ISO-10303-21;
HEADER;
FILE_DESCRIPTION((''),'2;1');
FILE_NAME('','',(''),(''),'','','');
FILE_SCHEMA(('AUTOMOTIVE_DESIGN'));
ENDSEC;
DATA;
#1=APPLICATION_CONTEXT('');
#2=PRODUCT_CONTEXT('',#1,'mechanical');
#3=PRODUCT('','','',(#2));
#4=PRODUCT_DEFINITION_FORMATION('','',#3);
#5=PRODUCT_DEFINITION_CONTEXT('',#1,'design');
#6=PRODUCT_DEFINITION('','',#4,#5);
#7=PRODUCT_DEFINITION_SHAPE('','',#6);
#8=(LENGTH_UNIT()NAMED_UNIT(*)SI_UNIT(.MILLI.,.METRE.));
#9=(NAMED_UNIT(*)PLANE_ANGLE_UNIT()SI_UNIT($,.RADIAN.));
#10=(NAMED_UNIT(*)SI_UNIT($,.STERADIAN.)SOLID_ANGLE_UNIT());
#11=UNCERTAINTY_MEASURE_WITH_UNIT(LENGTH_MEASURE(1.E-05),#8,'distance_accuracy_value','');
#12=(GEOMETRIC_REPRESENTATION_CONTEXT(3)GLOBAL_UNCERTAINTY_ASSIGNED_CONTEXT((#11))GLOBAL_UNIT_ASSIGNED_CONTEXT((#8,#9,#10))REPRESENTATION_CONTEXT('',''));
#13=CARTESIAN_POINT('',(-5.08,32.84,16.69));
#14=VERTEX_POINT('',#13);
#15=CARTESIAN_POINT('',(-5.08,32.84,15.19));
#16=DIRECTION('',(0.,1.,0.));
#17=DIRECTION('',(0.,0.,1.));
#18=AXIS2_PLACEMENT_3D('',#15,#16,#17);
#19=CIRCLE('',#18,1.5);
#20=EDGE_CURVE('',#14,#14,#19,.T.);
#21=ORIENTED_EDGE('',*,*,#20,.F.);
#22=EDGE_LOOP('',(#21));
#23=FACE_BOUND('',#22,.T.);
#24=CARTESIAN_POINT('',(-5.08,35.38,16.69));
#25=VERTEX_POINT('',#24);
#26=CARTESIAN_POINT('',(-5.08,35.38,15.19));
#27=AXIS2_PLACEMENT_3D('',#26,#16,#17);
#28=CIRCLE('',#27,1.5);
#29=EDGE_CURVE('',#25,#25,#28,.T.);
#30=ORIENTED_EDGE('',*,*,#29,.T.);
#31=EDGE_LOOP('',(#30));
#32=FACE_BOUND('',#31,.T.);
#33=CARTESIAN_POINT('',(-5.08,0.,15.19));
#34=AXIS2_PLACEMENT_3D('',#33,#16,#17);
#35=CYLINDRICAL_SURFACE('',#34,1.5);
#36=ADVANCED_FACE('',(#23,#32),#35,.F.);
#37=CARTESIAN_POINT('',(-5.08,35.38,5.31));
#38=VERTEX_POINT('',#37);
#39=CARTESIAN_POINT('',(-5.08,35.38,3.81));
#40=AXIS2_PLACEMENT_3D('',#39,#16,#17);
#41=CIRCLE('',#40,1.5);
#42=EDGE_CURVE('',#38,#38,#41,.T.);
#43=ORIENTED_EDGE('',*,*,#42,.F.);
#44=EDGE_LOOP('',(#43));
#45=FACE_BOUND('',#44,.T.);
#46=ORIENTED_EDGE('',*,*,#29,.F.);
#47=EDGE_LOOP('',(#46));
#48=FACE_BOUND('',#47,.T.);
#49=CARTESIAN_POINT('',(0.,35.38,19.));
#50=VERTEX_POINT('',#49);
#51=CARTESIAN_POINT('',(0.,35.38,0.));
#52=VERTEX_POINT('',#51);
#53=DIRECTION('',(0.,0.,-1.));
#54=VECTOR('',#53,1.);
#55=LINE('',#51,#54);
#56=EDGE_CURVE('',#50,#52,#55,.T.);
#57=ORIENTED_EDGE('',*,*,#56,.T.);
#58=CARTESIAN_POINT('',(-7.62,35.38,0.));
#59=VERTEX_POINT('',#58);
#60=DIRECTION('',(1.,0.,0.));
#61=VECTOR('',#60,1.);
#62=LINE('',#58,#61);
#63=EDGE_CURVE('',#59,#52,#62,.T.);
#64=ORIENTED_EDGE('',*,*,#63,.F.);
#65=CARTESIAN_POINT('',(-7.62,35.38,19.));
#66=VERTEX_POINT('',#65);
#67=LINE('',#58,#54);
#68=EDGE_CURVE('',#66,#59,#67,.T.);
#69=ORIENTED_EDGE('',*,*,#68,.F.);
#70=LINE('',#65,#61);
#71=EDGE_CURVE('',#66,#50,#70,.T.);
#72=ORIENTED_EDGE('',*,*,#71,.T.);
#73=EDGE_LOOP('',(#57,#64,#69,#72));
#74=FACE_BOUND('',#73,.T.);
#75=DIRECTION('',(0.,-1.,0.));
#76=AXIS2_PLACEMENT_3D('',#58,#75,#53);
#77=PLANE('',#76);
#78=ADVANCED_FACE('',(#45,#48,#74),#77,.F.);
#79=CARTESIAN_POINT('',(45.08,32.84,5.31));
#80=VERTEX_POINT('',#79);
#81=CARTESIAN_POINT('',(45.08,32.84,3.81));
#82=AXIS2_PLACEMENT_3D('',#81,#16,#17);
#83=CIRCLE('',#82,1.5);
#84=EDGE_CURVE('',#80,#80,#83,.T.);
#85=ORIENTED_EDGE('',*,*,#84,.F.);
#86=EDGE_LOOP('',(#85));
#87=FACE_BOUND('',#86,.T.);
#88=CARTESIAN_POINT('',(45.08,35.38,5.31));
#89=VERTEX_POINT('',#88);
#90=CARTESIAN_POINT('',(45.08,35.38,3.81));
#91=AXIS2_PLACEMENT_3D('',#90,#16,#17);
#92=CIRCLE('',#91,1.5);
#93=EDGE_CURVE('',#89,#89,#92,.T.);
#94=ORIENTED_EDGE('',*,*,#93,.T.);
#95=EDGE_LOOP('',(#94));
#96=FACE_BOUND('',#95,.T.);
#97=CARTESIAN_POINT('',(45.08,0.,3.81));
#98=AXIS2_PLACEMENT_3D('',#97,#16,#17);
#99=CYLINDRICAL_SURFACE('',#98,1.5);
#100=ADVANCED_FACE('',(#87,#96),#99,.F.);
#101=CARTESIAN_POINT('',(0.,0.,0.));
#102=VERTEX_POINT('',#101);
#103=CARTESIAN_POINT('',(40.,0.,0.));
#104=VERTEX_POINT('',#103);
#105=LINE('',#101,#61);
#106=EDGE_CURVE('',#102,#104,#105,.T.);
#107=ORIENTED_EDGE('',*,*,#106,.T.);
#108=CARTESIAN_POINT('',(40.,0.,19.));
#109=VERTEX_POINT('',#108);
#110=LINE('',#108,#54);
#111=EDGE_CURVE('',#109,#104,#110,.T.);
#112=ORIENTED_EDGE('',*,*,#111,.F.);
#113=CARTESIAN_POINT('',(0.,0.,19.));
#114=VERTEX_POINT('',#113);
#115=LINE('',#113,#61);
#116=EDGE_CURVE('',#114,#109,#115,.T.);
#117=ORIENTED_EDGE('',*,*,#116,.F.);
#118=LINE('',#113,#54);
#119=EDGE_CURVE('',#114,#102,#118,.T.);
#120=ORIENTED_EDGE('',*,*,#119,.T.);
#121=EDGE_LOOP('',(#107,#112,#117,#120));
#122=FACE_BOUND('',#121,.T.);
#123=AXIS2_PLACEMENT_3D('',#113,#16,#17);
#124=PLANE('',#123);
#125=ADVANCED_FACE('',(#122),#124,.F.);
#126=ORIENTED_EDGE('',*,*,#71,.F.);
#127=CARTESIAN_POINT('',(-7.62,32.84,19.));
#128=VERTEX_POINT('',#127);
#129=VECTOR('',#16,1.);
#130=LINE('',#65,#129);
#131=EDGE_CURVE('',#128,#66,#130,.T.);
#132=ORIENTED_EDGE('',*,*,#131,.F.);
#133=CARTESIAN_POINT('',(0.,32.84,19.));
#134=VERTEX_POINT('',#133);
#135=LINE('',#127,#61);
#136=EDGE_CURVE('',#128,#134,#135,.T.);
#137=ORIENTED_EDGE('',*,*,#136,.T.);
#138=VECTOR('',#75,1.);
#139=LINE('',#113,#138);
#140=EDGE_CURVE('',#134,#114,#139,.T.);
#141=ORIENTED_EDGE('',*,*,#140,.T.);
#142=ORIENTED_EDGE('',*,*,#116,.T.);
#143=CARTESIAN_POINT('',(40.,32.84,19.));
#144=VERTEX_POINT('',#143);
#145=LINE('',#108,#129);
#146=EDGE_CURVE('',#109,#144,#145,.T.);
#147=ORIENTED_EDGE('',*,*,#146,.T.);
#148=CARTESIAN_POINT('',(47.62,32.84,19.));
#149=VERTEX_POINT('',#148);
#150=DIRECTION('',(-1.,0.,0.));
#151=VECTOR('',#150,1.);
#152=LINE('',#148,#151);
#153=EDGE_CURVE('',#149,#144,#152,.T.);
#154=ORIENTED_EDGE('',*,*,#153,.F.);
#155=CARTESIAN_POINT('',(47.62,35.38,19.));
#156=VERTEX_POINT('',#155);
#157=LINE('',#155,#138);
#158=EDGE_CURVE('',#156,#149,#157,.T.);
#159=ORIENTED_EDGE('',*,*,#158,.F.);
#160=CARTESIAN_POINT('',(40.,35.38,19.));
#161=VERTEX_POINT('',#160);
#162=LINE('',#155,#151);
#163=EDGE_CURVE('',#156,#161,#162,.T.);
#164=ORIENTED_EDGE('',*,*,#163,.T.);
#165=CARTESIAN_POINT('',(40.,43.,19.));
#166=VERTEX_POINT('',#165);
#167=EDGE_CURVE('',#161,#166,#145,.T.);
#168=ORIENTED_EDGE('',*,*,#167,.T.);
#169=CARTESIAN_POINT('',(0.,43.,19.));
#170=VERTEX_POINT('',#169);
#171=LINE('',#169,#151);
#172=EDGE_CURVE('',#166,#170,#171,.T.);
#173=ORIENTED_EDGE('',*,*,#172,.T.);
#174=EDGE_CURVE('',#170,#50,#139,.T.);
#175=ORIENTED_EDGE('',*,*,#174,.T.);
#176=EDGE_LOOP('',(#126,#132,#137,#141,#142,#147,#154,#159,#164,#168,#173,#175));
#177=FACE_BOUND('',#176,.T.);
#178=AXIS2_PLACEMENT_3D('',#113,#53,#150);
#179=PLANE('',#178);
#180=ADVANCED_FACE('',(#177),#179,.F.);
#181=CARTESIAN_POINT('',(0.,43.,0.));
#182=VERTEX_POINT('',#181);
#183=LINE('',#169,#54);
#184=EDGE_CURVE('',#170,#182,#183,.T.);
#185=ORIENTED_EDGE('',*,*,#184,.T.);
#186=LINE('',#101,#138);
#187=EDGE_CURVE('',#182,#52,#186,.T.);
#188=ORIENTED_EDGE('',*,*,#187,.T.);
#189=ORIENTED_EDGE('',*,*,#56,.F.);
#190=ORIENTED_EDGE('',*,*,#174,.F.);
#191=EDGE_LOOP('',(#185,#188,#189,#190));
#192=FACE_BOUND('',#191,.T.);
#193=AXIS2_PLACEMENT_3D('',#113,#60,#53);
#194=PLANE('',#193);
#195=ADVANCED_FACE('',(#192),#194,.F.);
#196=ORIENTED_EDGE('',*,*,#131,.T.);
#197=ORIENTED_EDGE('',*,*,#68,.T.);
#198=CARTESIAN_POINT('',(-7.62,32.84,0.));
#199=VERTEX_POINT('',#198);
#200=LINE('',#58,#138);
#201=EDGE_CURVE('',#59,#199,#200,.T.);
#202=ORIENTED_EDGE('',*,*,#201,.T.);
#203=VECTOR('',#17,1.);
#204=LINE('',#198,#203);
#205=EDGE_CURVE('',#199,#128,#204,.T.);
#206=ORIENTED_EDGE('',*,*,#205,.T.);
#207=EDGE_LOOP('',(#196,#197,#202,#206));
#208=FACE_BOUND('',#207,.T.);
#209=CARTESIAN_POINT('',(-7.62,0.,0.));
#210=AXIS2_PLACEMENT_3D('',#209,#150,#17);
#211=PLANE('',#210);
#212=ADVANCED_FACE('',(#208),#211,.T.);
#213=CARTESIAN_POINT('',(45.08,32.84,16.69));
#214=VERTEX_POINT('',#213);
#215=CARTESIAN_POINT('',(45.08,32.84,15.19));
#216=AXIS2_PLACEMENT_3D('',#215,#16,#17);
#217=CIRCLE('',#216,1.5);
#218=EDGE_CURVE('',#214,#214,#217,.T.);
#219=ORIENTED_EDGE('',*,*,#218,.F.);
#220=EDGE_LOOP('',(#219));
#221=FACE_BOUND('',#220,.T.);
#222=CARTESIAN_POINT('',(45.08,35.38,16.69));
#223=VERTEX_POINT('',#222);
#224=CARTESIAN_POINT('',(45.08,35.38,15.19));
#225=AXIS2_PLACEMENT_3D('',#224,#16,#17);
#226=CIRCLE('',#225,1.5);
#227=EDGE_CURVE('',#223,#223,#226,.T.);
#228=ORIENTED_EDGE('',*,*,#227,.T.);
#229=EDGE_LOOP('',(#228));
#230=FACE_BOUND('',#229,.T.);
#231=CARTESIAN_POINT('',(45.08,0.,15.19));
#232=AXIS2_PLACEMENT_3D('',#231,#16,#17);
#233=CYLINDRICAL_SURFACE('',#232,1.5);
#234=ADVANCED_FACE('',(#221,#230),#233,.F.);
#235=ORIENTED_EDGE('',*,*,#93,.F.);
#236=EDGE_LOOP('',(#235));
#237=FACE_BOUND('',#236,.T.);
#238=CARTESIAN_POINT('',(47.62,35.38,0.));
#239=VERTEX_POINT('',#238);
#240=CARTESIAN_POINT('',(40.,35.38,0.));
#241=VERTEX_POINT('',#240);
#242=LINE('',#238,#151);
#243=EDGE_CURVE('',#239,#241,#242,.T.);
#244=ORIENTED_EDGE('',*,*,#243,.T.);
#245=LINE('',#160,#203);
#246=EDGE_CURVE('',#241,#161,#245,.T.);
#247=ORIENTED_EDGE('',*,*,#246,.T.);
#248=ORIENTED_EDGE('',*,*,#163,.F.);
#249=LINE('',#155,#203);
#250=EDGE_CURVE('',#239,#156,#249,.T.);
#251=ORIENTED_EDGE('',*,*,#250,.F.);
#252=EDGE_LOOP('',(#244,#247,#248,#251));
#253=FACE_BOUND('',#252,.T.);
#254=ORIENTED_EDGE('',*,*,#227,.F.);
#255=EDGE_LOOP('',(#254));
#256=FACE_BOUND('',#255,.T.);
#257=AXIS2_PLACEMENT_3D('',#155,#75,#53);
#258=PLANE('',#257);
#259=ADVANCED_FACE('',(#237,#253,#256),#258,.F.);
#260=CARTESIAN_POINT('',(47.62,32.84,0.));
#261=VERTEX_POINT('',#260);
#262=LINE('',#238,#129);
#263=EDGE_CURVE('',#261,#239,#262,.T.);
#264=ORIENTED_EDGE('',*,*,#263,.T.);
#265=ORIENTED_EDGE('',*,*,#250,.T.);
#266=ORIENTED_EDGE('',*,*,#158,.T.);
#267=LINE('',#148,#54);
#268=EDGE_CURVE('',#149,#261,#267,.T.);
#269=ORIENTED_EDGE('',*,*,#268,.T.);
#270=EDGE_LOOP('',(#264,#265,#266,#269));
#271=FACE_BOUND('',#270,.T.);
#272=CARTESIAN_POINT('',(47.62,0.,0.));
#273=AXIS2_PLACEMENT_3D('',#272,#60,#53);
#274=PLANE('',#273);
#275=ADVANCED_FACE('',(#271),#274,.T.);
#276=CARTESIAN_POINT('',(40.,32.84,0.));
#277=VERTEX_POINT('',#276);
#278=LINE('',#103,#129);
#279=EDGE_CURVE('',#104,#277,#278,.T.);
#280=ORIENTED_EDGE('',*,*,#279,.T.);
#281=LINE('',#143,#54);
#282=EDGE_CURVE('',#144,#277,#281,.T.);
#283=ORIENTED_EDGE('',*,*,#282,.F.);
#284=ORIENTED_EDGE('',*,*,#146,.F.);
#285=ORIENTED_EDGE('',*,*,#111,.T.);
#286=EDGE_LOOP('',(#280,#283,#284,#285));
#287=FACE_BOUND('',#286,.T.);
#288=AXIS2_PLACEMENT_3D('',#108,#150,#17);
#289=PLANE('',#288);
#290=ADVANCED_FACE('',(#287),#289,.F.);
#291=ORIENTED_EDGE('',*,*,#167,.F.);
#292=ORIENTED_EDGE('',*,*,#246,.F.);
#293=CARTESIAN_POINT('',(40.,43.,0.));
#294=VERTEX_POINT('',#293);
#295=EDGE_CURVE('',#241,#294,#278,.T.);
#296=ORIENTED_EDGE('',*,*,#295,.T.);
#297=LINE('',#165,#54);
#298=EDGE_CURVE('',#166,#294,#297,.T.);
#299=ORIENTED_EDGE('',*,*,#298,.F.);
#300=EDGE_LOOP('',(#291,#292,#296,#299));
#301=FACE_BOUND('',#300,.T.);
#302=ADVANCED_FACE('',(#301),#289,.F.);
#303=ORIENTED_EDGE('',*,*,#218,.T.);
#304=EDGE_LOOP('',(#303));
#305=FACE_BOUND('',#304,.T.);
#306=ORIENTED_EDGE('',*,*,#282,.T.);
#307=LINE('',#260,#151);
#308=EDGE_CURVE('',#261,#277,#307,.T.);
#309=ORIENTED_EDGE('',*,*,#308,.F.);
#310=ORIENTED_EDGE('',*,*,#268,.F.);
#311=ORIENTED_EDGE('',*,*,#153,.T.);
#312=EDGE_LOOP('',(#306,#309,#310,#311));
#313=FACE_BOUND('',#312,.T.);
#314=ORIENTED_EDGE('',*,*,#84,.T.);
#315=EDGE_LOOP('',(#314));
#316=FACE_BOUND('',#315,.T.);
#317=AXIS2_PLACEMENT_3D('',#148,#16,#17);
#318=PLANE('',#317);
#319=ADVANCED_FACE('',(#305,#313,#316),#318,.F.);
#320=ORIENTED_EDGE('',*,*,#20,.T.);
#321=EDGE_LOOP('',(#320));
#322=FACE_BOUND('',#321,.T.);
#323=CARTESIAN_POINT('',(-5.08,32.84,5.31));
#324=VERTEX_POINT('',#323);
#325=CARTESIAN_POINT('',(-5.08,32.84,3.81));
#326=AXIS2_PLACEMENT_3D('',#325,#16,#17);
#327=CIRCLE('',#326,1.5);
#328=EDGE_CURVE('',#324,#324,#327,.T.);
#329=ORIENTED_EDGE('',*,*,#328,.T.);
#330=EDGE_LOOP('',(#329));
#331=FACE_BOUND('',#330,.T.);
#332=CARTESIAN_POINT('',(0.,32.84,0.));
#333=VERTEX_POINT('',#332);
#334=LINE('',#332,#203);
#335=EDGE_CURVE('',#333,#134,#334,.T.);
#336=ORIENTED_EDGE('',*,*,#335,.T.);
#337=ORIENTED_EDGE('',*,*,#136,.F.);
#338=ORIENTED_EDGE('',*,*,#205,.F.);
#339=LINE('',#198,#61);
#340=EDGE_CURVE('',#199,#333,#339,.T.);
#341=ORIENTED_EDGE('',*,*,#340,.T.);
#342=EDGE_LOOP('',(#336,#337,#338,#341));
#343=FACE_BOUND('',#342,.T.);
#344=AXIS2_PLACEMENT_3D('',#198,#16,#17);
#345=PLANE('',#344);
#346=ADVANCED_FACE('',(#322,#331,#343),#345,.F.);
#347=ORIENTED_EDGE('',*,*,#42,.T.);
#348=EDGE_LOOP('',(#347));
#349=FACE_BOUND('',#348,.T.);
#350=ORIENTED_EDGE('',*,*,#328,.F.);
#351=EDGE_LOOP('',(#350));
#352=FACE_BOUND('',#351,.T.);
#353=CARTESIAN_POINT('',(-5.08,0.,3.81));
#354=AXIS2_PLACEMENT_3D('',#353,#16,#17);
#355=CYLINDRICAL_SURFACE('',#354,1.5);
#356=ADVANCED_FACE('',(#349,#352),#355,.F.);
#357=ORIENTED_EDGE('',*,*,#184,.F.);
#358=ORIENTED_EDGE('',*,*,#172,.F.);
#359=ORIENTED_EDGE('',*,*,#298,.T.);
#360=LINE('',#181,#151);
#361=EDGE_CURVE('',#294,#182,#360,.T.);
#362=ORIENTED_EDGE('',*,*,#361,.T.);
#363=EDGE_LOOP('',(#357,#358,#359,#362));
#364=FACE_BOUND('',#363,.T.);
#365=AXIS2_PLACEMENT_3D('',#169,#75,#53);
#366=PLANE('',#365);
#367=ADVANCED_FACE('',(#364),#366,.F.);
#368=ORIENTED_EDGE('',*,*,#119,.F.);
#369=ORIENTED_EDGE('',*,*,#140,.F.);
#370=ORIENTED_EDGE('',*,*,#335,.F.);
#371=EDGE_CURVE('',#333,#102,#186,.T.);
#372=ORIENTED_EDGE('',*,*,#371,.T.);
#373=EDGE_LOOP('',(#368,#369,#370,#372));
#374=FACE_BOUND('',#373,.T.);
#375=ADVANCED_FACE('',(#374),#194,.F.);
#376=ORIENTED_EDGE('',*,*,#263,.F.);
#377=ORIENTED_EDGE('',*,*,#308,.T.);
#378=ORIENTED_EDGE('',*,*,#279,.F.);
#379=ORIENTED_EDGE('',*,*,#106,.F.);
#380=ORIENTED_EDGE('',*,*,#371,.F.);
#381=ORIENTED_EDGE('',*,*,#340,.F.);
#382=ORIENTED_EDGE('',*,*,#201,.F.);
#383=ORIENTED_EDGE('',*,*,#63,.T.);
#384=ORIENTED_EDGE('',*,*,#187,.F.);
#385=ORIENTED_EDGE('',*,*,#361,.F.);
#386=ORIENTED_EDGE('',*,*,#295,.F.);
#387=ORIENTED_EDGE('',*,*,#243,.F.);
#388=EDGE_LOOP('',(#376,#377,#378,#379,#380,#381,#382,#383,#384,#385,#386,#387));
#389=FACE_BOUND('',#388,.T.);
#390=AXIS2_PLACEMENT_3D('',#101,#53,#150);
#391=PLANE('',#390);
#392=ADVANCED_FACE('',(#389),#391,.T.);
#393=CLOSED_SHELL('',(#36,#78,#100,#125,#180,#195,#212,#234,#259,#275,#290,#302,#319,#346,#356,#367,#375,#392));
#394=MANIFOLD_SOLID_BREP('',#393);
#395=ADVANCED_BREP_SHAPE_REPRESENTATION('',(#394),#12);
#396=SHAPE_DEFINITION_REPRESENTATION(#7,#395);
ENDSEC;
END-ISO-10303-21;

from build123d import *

# Parameters (mm, degrees)
SKETCH1_W           = 40
SKETCH1_H           = 43
BOSS_EXTRUDE1_DEPTH = 19
SKETCH2_W           = 19
SKETCH2_H           = 2.54
BOSS_EXTRUDE2_DEPTH = 7.62
SKETCH3_R           = 1.5
CUT_EXTRUDE1_DEPTH  = 63.292927367
SKETCH4_W           = 19
SKETCH4_H           = 2.54
BOSS_EXTRUDE3_DEPTH = 7.62
SKETCH5_R           = 1.5
CUT_EXTRUDE2_DEPTH  = 63.292927367


with BuildPart() as part:
    # Sketch1 → Boss-Extrude1 (new body)
    with BuildSketch(Plane.XY):
        with Locations((20, 21.5)):
            Rectangle(SKETCH1_W, SKETCH1_H)
    extrude(amount=BOSS_EXTRUDE1_DEPTH)

    # Sketch2 → Boss-Extrude2 (add)
    with BuildSketch(Plane(origin=(40, 0, 0), x_dir=(0, 0, -1), z_dir=(1, 0, 0))):
        with Locations((-9.5, 34.11)):
            Rectangle(SKETCH2_W, SKETCH2_H)
    extrude(amount=BOSS_EXTRUDE2_DEPTH)

    # Sketch3 → Cut-Extrude1 (cut, through all)
    with BuildSketch(Plane(origin=(0, 35.38, 0), x_dir=(1, 0, 0), z_dir=(0, 1, 0))):
        with Locations(Location((45.08, -3.81, 0), (0, 0, 270))):
            Circle(SKETCH3_R)
        with Locations(Location((45.08, -15.19, 0), (0, 0, 270))):
            Circle(SKETCH3_R)
    extrude(amount=-CUT_EXTRUDE1_DEPTH, mode=Mode.SUBTRACT)

    # Sketch4 → Boss-Extrude3 (add)
    with BuildSketch(Plane.ZY):
        with Locations((9.5, 34.11)):
            Rectangle(SKETCH4_W, SKETCH4_H)
    extrude(amount=BOSS_EXTRUDE3_DEPTH)

    # Sketch5 → Cut-Extrude2 (cut, through all)
    with BuildSketch(Plane(origin=(0, 35.38, 0), x_dir=(1, 0, 0), z_dir=(0, 1, 0))):
        with Locations(Location((-5.08, -3.81, 0), (0, 0, 270))):
            Circle(SKETCH5_R)
        with Locations(Location((-5.08, -15.19, 0), (0, 0, 270))):
            Circle(SKETCH5_R)
    extrude(amount=-CUT_EXTRUDE2_DEPTH, mode=Mode.SUBTRACT)


solid = part.part
